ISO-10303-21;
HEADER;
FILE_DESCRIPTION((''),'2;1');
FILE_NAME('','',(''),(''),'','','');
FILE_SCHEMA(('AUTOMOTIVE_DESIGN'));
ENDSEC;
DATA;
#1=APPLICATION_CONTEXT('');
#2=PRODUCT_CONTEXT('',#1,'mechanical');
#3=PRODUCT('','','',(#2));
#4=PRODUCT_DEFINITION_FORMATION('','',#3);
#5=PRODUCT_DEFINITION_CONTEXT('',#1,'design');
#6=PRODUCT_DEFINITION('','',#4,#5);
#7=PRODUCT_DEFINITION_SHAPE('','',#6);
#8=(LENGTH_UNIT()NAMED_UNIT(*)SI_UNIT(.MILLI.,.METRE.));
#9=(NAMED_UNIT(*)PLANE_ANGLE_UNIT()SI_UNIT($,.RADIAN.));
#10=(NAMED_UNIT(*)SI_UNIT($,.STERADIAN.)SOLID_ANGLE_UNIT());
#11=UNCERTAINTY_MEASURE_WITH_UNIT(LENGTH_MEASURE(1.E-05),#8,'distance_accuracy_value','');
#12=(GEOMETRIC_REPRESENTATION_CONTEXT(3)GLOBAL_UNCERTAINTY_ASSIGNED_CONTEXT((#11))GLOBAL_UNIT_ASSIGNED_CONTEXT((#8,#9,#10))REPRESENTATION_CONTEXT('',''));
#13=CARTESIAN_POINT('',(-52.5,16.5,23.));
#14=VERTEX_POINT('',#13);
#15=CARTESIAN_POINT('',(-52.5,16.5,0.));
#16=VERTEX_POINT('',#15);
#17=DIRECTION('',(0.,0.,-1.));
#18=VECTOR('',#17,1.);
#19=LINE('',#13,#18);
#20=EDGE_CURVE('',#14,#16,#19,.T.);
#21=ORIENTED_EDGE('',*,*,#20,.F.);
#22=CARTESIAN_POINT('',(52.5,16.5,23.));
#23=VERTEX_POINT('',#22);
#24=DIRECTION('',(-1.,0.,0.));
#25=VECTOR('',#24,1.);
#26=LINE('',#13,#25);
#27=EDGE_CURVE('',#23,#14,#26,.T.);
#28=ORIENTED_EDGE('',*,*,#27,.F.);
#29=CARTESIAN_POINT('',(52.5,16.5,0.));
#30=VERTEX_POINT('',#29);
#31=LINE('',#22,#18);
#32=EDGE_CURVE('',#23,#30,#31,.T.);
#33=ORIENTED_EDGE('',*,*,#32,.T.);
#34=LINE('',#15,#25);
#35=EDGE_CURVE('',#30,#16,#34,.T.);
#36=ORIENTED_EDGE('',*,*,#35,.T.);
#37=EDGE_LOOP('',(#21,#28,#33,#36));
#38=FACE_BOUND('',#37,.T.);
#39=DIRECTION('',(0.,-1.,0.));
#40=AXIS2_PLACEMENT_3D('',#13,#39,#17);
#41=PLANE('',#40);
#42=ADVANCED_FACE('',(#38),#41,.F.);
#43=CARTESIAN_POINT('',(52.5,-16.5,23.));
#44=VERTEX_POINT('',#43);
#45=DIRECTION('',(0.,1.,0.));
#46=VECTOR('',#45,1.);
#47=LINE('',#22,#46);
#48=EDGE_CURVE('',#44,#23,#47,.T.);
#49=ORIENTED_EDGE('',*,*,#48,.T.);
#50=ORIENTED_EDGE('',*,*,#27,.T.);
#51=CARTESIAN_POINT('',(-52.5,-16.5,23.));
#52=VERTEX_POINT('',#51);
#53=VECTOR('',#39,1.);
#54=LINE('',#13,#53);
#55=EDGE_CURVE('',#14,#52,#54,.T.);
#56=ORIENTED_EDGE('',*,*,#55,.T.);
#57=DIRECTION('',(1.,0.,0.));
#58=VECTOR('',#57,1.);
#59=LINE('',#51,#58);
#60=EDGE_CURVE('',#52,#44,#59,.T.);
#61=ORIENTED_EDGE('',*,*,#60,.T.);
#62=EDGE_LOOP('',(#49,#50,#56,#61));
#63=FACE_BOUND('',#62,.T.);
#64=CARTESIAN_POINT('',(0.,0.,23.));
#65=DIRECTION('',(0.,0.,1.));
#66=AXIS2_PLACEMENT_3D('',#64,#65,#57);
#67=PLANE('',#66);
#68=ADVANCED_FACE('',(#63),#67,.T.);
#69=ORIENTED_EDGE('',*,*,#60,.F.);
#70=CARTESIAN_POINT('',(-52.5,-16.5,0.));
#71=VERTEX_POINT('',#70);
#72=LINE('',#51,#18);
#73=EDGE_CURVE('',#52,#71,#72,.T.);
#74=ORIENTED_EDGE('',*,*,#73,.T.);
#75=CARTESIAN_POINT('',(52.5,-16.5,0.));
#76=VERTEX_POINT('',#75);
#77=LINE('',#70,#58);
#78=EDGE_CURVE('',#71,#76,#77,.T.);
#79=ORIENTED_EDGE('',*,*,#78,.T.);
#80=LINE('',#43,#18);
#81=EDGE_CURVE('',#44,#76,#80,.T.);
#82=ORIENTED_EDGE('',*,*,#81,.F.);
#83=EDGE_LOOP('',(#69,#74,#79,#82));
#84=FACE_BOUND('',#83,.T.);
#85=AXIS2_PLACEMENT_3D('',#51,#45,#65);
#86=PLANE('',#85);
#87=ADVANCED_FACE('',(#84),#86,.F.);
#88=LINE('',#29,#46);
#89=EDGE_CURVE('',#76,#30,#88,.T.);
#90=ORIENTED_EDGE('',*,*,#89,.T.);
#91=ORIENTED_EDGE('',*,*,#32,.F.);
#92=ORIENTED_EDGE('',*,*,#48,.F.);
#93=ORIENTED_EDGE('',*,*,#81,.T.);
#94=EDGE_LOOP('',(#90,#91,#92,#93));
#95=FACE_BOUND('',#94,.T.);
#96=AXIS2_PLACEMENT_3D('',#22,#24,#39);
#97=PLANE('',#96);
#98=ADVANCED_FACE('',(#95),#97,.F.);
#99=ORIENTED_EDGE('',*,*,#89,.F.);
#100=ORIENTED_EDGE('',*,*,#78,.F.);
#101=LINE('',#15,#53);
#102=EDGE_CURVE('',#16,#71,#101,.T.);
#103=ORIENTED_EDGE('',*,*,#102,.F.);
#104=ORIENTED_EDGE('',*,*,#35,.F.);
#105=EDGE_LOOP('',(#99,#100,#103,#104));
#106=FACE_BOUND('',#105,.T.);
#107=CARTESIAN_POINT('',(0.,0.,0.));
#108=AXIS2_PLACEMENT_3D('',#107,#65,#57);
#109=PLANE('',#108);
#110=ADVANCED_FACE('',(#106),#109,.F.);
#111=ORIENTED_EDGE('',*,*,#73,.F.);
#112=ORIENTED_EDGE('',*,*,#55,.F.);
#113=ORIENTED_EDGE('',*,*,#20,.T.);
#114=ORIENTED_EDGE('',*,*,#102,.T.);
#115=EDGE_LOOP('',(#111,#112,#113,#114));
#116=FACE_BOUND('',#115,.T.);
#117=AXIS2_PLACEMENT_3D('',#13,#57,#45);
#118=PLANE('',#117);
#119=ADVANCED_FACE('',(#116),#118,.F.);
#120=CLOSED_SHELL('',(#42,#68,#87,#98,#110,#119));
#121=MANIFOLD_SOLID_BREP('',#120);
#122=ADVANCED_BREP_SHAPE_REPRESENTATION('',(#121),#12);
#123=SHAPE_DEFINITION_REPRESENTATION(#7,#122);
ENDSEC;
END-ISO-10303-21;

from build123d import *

# Parameters (mm, degrees)
SKETCH_1_W      = 105
SKETCH_1_H      = 33
EXTRUDE_1_DEPTH = 23


with BuildPart() as part:
    # 草图1 → 凸台-拉伸1 (new body)
    with BuildSketch(Plane.XY):
        Rectangle(SKETCH_1_W, SKETCH_1_H)
    extrude(amount=EXTRUDE_1_DEPTH)


solid = part.part
